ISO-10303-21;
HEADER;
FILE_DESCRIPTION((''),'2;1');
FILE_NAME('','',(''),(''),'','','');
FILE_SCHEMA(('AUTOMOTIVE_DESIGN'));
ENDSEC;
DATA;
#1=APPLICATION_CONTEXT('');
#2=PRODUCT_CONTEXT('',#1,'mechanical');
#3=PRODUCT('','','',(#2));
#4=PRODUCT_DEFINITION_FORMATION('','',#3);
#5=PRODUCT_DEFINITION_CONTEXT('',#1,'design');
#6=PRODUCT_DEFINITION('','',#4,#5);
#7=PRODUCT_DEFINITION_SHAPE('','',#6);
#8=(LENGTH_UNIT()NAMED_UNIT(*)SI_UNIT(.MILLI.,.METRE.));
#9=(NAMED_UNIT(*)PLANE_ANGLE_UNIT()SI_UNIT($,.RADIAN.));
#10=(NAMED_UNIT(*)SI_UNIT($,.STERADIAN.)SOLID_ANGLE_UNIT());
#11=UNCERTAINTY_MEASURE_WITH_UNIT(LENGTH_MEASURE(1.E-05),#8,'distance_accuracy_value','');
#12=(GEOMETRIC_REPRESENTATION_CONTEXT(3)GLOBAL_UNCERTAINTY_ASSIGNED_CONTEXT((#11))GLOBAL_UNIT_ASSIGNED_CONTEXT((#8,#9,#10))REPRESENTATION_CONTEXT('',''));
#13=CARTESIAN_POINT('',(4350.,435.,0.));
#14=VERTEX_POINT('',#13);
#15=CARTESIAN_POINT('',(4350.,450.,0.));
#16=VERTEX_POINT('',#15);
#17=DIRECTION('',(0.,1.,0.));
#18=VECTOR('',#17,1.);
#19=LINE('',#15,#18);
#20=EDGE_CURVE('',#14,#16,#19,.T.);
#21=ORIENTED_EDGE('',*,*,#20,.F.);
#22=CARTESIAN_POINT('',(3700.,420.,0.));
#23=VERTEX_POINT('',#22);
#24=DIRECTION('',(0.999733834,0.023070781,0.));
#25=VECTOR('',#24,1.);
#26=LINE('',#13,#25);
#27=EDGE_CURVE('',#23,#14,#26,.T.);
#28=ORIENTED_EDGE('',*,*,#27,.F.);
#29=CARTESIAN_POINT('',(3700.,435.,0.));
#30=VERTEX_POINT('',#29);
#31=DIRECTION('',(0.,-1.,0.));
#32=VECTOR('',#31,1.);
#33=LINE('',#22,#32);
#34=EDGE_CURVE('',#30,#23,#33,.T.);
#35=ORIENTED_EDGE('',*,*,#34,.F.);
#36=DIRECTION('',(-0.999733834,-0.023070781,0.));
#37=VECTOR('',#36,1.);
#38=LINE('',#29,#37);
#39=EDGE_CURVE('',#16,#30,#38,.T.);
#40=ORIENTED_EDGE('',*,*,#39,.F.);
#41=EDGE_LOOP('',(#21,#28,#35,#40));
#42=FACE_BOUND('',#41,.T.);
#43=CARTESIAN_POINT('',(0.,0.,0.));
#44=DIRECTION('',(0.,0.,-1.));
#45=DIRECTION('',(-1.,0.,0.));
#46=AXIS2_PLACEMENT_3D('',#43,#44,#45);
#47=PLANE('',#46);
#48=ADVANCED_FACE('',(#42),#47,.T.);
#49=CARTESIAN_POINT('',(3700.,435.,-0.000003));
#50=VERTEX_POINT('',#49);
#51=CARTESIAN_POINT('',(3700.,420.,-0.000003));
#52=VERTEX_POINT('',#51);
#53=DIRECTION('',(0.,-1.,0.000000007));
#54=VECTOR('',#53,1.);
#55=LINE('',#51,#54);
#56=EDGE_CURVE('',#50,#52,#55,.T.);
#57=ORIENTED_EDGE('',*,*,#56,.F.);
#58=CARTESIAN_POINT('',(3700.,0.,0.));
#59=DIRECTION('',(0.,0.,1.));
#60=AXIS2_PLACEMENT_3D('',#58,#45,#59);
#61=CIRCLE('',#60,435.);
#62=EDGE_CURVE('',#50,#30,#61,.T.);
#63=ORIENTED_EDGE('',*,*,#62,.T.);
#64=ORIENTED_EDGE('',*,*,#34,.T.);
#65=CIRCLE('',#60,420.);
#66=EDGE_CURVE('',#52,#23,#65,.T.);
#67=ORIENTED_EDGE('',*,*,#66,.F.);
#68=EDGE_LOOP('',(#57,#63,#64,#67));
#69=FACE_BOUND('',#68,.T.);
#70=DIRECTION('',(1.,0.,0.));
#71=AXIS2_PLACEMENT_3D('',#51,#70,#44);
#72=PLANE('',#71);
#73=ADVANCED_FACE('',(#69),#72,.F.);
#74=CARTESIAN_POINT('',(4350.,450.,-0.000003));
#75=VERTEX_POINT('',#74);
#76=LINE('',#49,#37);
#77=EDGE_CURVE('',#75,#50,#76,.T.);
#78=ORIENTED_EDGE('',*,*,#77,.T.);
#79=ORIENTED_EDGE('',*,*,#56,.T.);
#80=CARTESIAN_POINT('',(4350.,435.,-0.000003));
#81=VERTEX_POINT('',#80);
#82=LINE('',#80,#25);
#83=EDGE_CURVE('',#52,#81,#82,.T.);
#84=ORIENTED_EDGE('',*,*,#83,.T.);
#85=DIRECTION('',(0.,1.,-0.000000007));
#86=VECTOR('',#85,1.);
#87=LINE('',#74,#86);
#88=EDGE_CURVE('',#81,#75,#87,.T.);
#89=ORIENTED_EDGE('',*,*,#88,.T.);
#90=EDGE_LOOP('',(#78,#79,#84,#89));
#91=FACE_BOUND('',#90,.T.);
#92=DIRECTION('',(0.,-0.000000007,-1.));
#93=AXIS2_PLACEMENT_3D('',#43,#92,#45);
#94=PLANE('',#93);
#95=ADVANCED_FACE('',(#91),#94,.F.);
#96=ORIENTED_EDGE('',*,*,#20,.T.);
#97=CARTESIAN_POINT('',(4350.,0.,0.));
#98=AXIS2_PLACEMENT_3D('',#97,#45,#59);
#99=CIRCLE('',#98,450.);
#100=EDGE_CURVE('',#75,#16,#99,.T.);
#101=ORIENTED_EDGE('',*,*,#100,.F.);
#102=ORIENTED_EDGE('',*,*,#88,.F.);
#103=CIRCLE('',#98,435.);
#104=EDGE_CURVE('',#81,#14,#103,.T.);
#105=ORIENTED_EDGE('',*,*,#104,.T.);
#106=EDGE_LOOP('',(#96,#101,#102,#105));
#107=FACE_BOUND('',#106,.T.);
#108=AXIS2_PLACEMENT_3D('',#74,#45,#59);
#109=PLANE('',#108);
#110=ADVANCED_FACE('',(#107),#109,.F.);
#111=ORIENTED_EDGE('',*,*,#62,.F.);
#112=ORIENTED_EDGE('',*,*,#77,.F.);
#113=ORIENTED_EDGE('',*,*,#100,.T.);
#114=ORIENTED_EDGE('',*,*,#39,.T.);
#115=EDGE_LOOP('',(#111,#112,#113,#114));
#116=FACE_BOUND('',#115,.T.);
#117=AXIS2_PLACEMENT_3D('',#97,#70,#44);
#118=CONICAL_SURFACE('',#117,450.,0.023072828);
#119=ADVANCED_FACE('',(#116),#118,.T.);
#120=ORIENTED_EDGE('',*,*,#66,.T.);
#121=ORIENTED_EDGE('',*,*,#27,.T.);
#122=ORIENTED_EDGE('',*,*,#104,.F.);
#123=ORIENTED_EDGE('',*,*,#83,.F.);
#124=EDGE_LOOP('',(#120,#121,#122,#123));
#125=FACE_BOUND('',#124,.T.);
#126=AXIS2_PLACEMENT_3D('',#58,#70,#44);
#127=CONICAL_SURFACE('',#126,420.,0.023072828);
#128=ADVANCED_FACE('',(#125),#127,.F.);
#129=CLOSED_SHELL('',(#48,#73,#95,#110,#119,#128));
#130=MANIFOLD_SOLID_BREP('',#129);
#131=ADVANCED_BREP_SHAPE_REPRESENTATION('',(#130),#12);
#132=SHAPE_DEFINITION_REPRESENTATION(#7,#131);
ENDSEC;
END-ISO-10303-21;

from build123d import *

# Parameters (mm, degrees)
REVOLVE1_ANGLE = 359.999999589


with BuildPart() as part:
    # Sketch1 → Revolve1 (revolve)
    with BuildSketch(Plane.XY):
        Polygon((3700, 420), (3700, 435), (4350, 450), (4350, 435), align=None)
    revolve(axis=Axis((0, 0, 0), (1, 0, 0)), revolution_arc=REVOLVE1_ANGLE)


solid = part.part
